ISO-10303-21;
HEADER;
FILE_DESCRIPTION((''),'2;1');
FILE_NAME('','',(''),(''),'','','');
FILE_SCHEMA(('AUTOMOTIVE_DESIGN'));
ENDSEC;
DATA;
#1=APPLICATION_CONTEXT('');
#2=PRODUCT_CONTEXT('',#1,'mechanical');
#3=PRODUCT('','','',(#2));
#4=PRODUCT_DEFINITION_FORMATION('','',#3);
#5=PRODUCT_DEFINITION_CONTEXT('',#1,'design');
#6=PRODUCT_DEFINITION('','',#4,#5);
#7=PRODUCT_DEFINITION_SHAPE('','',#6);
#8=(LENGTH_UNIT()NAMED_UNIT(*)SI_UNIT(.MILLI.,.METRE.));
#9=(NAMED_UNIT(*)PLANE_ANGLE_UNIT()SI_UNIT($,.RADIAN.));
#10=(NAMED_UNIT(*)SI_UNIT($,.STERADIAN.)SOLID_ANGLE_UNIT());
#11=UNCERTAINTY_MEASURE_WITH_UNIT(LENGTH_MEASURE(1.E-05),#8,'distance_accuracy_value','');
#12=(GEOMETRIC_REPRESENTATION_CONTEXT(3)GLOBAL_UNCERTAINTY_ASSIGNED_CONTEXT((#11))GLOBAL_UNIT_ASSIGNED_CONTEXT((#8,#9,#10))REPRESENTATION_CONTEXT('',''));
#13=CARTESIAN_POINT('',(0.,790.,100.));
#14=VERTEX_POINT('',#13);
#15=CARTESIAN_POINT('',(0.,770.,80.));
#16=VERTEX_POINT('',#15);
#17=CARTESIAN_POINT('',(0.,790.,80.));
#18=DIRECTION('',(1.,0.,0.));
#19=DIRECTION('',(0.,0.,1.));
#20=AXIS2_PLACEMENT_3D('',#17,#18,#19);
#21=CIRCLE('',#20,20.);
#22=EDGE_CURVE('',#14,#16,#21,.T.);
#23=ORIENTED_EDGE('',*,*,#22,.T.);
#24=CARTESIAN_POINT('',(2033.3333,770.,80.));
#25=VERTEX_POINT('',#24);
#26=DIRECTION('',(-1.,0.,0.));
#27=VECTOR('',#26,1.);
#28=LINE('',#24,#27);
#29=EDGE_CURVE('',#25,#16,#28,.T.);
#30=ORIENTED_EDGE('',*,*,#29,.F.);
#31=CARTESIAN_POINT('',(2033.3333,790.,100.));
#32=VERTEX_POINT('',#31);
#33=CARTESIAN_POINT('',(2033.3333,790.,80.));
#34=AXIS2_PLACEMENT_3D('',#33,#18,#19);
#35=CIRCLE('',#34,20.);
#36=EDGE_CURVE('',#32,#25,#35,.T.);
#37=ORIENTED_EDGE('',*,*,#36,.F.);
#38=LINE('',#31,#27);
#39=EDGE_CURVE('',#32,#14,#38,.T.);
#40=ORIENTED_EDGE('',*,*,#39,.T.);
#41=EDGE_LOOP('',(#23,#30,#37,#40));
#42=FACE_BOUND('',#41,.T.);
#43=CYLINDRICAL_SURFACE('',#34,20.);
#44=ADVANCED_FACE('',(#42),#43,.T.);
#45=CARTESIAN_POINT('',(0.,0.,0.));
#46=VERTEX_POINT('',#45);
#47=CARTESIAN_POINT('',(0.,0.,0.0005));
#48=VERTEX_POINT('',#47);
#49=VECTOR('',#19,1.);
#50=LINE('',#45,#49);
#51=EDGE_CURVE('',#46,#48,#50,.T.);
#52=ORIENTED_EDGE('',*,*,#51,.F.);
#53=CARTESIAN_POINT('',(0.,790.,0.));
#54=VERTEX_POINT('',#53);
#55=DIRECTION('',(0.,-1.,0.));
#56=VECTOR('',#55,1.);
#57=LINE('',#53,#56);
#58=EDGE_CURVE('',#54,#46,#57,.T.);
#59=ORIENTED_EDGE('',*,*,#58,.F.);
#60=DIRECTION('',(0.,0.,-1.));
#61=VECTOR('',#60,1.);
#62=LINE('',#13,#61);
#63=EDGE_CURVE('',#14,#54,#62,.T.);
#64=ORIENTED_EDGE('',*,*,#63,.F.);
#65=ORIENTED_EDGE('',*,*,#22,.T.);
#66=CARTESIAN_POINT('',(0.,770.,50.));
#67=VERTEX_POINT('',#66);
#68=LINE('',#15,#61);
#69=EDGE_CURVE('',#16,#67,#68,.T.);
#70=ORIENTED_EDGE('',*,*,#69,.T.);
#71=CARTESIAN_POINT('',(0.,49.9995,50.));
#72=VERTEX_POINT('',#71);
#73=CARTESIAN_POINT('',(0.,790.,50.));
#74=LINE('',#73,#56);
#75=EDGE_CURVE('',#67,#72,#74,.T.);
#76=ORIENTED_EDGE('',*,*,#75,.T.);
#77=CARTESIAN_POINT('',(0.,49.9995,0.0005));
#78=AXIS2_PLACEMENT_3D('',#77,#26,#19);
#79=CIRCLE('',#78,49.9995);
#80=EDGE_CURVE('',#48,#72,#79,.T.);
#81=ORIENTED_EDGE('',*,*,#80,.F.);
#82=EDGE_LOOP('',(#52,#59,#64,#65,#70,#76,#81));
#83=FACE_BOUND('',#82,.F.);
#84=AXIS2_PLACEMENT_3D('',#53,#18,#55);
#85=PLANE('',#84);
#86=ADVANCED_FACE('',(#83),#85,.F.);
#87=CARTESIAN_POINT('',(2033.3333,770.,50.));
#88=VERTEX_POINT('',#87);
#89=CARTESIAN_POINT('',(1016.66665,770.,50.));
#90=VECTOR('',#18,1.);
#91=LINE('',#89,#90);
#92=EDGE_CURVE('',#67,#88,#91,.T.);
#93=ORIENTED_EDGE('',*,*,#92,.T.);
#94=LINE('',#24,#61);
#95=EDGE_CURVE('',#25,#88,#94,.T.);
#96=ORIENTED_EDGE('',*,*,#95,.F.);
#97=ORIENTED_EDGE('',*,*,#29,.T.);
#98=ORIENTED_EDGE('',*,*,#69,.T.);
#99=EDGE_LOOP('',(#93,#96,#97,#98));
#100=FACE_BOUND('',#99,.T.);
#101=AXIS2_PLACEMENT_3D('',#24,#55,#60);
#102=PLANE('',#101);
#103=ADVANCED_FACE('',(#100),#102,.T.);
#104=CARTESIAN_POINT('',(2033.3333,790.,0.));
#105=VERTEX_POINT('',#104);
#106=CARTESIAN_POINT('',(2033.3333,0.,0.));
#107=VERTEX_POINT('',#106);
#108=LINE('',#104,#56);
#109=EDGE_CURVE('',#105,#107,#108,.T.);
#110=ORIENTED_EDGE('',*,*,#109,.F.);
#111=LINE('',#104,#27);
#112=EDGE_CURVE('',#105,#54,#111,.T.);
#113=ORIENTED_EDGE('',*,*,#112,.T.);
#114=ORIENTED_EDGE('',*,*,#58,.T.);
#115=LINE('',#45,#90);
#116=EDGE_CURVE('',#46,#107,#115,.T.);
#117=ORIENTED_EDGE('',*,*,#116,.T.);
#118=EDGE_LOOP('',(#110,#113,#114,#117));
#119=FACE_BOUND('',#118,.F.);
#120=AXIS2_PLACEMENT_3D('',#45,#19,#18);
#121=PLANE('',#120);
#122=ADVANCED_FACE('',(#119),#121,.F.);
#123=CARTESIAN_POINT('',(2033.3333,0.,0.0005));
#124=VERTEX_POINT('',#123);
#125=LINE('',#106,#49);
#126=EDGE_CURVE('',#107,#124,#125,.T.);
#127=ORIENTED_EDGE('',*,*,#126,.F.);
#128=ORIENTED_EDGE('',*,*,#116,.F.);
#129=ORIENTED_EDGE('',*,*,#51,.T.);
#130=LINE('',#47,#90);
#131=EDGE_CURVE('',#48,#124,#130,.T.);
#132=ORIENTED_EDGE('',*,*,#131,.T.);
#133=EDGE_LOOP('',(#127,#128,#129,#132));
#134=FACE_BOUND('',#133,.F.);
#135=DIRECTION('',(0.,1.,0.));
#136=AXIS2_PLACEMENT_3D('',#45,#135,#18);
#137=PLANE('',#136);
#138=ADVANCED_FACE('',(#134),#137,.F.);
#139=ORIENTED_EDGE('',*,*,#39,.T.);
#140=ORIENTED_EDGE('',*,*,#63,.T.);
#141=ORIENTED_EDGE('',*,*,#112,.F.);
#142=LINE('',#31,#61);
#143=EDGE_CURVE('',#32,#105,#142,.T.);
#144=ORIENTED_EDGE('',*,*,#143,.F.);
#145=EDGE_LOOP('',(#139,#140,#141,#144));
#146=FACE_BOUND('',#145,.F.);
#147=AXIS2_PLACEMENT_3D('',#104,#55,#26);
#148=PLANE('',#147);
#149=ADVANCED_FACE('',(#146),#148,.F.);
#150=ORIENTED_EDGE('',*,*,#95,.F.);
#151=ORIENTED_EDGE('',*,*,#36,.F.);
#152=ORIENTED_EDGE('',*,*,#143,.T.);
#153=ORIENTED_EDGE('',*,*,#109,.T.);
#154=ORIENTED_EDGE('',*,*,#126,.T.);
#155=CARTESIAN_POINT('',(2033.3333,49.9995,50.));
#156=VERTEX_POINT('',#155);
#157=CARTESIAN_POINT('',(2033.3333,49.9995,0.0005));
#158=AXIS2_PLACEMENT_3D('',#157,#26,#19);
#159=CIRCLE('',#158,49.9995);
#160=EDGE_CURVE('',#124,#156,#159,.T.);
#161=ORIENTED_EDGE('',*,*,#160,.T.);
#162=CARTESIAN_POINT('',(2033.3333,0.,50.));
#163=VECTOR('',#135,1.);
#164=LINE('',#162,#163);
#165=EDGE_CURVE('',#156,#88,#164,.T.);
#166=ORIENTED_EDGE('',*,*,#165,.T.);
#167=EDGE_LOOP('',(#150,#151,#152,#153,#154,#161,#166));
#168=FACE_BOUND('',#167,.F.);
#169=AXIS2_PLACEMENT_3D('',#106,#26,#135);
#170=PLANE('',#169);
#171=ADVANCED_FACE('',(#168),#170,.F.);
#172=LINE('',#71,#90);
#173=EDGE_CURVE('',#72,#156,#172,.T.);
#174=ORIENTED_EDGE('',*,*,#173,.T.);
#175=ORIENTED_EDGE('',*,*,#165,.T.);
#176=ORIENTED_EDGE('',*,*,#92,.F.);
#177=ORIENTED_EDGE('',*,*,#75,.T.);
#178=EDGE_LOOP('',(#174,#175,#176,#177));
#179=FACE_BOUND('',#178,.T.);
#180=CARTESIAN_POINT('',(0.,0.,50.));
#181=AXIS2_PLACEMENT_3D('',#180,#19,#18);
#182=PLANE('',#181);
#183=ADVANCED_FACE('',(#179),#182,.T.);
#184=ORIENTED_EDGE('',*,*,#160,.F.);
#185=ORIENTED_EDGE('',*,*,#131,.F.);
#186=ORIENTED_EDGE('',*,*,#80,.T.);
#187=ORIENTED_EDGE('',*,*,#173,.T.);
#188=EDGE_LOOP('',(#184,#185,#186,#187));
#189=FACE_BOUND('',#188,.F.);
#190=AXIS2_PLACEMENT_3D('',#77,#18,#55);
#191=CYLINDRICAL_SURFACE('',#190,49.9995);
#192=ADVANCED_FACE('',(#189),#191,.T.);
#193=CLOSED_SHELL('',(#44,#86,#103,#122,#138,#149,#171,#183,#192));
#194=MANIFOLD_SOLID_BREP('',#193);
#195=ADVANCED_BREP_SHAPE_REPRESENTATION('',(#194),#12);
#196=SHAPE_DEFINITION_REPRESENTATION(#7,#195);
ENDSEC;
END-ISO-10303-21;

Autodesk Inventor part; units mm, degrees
ref_plane "YZ Plane" through (0, 0, 0) normal (1, 0, 0) x (0, 1, 0)
ref_plane "XZ Plane" through (0, 0, 0) normal (0, 1, 0) x (-1, 0, 0)
ref_plane "XY Plane" through (0, 0, 0) normal (0, 0, 1) x (1, 0, 0)
sketch "Sketch1" plane through (0, 0, 0) normal (0, 0, 1) x (1, 0, 0)
  line L0 (0, 0) -> (2033.3333, 0)
  line L1 (2033.3333, 0) -> (2033.3333, 790)
  line L2 (2033.3333, 790) -> (0, 790)
  line L3 (0, 790) -> (0, 0)
  dimension "ancho" = 2033.3333
  dimension "d1" = 790
extrude "Extrusion1" add sketch "Sketch1" along normal blind 50
fillet "Fillet1" radius 50 1 edges at (1016.6667, 0, 50)
sketch "Sketch2" plane through (2033.3333, 790, 50) normal (1, 0, 0) x (0, 0, -1)
  line L0 (50, 0) -> (-50, 0)
  line L1 (-50, 0) -> (-50, 0)
  line L2 (-30, -20) -> (50, -20)
  line L3 (50, -20) -> (50, 0)
  arc A0 (-50, 0) -> (-30, -20) centre (-30, 0) ccw
  point P0 (50, -790)
  point P1 (-50, -20)
  dimension "d5" = 100
  dimension "d6" = 20
  dimension "d7" = 20
extrude "Extrusion2" add sketch "Sketch2" against normal up to surface (2033.3333 mm away)
properties part number "meson"
